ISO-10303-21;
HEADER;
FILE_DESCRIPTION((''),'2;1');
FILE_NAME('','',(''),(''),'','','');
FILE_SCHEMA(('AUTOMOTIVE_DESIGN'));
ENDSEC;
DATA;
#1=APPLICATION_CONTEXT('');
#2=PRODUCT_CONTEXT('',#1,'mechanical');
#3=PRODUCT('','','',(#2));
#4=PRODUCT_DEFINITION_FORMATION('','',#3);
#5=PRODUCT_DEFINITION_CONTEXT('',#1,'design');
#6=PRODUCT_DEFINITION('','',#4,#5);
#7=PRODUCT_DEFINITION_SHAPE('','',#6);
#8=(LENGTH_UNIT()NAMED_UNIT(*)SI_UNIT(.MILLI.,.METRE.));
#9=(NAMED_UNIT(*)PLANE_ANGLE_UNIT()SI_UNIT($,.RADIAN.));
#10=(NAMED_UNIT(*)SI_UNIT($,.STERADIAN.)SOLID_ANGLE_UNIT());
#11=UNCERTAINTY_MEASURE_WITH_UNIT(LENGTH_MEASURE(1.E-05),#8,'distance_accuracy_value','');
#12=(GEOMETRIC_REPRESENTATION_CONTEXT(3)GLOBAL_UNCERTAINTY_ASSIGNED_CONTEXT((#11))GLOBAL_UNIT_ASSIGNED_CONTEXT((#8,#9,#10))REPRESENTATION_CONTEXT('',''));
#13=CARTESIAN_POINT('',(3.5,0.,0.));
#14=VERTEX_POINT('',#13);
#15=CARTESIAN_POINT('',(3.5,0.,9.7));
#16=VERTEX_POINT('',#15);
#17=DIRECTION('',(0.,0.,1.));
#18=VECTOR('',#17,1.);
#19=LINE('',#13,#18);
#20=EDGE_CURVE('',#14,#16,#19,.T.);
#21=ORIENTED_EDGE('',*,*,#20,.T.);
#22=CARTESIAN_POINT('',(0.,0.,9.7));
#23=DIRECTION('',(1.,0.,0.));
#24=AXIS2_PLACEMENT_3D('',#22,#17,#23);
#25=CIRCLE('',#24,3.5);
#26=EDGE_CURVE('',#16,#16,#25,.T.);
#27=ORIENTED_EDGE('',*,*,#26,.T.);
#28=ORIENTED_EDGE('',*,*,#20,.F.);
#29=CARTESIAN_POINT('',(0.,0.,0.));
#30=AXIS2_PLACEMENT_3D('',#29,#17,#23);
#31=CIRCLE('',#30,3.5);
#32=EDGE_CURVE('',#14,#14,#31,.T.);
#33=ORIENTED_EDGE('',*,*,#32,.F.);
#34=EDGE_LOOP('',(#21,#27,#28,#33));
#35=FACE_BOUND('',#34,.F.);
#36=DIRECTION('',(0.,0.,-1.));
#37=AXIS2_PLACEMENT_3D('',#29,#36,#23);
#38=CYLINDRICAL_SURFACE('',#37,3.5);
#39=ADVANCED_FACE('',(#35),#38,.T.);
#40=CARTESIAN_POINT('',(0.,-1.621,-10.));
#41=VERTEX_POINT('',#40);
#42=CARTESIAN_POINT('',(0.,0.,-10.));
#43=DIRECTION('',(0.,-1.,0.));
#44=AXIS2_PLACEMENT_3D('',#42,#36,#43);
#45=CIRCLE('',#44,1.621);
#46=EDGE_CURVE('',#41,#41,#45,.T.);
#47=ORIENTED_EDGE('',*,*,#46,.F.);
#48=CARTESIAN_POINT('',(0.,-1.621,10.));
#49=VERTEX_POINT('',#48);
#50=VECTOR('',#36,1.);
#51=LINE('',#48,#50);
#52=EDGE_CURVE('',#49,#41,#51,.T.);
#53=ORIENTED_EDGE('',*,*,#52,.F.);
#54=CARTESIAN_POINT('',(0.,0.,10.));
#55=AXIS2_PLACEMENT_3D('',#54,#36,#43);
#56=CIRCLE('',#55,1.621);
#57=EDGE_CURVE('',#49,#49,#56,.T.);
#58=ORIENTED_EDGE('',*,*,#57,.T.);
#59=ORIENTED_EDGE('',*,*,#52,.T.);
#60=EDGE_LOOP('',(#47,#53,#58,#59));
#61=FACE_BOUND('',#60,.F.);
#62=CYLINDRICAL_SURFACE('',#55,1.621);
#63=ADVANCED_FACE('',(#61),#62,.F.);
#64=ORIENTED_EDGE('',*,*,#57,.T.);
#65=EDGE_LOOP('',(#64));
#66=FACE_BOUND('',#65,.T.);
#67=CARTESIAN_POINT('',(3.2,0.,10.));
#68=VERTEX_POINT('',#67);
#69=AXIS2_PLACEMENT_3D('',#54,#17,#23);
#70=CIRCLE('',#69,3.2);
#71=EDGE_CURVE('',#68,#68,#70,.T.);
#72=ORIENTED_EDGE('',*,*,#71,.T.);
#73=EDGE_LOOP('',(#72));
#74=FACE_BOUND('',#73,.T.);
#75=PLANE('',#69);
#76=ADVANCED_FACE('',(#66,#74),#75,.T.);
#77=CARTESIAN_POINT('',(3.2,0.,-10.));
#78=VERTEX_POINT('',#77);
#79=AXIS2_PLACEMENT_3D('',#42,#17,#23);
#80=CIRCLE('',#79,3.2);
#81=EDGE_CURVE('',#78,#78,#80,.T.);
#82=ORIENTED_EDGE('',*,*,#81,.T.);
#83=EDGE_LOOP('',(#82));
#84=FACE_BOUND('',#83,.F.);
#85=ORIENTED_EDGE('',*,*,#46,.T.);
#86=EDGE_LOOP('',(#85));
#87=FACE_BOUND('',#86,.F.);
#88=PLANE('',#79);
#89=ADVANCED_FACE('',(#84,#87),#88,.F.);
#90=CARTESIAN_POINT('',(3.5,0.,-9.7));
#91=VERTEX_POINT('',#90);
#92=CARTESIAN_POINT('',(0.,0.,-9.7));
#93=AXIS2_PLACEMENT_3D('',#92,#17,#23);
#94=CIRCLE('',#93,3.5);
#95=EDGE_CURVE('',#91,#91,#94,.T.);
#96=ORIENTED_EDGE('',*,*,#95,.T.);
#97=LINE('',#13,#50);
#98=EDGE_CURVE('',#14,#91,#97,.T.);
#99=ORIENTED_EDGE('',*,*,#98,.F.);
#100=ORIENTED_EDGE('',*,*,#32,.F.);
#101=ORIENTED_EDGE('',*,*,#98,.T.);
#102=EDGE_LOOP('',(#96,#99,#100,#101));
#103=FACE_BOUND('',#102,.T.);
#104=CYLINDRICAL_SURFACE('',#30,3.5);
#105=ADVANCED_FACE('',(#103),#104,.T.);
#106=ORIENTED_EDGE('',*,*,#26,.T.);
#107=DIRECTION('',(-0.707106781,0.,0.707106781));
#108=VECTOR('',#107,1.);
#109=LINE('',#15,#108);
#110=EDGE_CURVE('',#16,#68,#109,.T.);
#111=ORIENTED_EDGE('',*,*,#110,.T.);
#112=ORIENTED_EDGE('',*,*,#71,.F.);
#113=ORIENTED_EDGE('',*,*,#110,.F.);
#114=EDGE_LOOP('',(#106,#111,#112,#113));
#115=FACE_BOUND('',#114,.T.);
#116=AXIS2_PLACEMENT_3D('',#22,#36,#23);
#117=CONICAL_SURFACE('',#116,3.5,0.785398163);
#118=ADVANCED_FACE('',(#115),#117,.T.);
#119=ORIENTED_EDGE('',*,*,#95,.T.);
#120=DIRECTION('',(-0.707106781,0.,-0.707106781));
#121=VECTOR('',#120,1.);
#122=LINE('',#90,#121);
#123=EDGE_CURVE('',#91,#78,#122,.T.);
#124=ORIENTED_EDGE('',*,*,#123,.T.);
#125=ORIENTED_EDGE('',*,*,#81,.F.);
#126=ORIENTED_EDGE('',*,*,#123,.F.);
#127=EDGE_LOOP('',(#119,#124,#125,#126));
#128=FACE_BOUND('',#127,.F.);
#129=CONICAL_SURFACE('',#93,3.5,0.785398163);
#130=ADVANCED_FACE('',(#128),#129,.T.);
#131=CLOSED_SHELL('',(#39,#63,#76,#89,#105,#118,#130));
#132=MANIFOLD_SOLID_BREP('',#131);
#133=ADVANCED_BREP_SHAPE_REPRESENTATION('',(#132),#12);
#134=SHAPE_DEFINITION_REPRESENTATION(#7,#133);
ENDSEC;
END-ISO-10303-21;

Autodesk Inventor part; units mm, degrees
ref_plane "YZ Plane" through (0, 0, 0) normal (1, 0, 0) x (0, 1, 0)
ref_plane "XZ Plane" through (0, 0, 0) normal (0, 1, 0) x (-1, 0, 0)
ref_plane "XY Plane" through (0, 0, 0) normal (0, 0, 1) x (1, 0, 0)
sketch "Skizze1" plane through (0, 0, 0) normal (0, 0, 1) x (1, 0, 0)
  circle A0 centre (0, 0) radius 3.5
  dimension "d0" = 7
extrude "Extrusion1" add sketch "Skizze1" along normal mid plane 20
chamfer "Fase1" distance 0.3 angle 45 2 edges at (-3.5, 0, 10) (-3.5, 0, -10)
hole "Bohrung1" at (0, 0, 10) direction (0, 0, -1) diameter 3.242 end through all thread size "M4x0.7" class "6H" standard "ANSI Metric M Profile"
equation "\"d0\" = Durchmesser"
equation "\"d1\" = Länge"
equation "\"d9\" = Länge"
equation "\"Länge\" = 20"
equation "\"Durchmesser\" = 7"
properties part number "Distanzhülse_M4x20"
